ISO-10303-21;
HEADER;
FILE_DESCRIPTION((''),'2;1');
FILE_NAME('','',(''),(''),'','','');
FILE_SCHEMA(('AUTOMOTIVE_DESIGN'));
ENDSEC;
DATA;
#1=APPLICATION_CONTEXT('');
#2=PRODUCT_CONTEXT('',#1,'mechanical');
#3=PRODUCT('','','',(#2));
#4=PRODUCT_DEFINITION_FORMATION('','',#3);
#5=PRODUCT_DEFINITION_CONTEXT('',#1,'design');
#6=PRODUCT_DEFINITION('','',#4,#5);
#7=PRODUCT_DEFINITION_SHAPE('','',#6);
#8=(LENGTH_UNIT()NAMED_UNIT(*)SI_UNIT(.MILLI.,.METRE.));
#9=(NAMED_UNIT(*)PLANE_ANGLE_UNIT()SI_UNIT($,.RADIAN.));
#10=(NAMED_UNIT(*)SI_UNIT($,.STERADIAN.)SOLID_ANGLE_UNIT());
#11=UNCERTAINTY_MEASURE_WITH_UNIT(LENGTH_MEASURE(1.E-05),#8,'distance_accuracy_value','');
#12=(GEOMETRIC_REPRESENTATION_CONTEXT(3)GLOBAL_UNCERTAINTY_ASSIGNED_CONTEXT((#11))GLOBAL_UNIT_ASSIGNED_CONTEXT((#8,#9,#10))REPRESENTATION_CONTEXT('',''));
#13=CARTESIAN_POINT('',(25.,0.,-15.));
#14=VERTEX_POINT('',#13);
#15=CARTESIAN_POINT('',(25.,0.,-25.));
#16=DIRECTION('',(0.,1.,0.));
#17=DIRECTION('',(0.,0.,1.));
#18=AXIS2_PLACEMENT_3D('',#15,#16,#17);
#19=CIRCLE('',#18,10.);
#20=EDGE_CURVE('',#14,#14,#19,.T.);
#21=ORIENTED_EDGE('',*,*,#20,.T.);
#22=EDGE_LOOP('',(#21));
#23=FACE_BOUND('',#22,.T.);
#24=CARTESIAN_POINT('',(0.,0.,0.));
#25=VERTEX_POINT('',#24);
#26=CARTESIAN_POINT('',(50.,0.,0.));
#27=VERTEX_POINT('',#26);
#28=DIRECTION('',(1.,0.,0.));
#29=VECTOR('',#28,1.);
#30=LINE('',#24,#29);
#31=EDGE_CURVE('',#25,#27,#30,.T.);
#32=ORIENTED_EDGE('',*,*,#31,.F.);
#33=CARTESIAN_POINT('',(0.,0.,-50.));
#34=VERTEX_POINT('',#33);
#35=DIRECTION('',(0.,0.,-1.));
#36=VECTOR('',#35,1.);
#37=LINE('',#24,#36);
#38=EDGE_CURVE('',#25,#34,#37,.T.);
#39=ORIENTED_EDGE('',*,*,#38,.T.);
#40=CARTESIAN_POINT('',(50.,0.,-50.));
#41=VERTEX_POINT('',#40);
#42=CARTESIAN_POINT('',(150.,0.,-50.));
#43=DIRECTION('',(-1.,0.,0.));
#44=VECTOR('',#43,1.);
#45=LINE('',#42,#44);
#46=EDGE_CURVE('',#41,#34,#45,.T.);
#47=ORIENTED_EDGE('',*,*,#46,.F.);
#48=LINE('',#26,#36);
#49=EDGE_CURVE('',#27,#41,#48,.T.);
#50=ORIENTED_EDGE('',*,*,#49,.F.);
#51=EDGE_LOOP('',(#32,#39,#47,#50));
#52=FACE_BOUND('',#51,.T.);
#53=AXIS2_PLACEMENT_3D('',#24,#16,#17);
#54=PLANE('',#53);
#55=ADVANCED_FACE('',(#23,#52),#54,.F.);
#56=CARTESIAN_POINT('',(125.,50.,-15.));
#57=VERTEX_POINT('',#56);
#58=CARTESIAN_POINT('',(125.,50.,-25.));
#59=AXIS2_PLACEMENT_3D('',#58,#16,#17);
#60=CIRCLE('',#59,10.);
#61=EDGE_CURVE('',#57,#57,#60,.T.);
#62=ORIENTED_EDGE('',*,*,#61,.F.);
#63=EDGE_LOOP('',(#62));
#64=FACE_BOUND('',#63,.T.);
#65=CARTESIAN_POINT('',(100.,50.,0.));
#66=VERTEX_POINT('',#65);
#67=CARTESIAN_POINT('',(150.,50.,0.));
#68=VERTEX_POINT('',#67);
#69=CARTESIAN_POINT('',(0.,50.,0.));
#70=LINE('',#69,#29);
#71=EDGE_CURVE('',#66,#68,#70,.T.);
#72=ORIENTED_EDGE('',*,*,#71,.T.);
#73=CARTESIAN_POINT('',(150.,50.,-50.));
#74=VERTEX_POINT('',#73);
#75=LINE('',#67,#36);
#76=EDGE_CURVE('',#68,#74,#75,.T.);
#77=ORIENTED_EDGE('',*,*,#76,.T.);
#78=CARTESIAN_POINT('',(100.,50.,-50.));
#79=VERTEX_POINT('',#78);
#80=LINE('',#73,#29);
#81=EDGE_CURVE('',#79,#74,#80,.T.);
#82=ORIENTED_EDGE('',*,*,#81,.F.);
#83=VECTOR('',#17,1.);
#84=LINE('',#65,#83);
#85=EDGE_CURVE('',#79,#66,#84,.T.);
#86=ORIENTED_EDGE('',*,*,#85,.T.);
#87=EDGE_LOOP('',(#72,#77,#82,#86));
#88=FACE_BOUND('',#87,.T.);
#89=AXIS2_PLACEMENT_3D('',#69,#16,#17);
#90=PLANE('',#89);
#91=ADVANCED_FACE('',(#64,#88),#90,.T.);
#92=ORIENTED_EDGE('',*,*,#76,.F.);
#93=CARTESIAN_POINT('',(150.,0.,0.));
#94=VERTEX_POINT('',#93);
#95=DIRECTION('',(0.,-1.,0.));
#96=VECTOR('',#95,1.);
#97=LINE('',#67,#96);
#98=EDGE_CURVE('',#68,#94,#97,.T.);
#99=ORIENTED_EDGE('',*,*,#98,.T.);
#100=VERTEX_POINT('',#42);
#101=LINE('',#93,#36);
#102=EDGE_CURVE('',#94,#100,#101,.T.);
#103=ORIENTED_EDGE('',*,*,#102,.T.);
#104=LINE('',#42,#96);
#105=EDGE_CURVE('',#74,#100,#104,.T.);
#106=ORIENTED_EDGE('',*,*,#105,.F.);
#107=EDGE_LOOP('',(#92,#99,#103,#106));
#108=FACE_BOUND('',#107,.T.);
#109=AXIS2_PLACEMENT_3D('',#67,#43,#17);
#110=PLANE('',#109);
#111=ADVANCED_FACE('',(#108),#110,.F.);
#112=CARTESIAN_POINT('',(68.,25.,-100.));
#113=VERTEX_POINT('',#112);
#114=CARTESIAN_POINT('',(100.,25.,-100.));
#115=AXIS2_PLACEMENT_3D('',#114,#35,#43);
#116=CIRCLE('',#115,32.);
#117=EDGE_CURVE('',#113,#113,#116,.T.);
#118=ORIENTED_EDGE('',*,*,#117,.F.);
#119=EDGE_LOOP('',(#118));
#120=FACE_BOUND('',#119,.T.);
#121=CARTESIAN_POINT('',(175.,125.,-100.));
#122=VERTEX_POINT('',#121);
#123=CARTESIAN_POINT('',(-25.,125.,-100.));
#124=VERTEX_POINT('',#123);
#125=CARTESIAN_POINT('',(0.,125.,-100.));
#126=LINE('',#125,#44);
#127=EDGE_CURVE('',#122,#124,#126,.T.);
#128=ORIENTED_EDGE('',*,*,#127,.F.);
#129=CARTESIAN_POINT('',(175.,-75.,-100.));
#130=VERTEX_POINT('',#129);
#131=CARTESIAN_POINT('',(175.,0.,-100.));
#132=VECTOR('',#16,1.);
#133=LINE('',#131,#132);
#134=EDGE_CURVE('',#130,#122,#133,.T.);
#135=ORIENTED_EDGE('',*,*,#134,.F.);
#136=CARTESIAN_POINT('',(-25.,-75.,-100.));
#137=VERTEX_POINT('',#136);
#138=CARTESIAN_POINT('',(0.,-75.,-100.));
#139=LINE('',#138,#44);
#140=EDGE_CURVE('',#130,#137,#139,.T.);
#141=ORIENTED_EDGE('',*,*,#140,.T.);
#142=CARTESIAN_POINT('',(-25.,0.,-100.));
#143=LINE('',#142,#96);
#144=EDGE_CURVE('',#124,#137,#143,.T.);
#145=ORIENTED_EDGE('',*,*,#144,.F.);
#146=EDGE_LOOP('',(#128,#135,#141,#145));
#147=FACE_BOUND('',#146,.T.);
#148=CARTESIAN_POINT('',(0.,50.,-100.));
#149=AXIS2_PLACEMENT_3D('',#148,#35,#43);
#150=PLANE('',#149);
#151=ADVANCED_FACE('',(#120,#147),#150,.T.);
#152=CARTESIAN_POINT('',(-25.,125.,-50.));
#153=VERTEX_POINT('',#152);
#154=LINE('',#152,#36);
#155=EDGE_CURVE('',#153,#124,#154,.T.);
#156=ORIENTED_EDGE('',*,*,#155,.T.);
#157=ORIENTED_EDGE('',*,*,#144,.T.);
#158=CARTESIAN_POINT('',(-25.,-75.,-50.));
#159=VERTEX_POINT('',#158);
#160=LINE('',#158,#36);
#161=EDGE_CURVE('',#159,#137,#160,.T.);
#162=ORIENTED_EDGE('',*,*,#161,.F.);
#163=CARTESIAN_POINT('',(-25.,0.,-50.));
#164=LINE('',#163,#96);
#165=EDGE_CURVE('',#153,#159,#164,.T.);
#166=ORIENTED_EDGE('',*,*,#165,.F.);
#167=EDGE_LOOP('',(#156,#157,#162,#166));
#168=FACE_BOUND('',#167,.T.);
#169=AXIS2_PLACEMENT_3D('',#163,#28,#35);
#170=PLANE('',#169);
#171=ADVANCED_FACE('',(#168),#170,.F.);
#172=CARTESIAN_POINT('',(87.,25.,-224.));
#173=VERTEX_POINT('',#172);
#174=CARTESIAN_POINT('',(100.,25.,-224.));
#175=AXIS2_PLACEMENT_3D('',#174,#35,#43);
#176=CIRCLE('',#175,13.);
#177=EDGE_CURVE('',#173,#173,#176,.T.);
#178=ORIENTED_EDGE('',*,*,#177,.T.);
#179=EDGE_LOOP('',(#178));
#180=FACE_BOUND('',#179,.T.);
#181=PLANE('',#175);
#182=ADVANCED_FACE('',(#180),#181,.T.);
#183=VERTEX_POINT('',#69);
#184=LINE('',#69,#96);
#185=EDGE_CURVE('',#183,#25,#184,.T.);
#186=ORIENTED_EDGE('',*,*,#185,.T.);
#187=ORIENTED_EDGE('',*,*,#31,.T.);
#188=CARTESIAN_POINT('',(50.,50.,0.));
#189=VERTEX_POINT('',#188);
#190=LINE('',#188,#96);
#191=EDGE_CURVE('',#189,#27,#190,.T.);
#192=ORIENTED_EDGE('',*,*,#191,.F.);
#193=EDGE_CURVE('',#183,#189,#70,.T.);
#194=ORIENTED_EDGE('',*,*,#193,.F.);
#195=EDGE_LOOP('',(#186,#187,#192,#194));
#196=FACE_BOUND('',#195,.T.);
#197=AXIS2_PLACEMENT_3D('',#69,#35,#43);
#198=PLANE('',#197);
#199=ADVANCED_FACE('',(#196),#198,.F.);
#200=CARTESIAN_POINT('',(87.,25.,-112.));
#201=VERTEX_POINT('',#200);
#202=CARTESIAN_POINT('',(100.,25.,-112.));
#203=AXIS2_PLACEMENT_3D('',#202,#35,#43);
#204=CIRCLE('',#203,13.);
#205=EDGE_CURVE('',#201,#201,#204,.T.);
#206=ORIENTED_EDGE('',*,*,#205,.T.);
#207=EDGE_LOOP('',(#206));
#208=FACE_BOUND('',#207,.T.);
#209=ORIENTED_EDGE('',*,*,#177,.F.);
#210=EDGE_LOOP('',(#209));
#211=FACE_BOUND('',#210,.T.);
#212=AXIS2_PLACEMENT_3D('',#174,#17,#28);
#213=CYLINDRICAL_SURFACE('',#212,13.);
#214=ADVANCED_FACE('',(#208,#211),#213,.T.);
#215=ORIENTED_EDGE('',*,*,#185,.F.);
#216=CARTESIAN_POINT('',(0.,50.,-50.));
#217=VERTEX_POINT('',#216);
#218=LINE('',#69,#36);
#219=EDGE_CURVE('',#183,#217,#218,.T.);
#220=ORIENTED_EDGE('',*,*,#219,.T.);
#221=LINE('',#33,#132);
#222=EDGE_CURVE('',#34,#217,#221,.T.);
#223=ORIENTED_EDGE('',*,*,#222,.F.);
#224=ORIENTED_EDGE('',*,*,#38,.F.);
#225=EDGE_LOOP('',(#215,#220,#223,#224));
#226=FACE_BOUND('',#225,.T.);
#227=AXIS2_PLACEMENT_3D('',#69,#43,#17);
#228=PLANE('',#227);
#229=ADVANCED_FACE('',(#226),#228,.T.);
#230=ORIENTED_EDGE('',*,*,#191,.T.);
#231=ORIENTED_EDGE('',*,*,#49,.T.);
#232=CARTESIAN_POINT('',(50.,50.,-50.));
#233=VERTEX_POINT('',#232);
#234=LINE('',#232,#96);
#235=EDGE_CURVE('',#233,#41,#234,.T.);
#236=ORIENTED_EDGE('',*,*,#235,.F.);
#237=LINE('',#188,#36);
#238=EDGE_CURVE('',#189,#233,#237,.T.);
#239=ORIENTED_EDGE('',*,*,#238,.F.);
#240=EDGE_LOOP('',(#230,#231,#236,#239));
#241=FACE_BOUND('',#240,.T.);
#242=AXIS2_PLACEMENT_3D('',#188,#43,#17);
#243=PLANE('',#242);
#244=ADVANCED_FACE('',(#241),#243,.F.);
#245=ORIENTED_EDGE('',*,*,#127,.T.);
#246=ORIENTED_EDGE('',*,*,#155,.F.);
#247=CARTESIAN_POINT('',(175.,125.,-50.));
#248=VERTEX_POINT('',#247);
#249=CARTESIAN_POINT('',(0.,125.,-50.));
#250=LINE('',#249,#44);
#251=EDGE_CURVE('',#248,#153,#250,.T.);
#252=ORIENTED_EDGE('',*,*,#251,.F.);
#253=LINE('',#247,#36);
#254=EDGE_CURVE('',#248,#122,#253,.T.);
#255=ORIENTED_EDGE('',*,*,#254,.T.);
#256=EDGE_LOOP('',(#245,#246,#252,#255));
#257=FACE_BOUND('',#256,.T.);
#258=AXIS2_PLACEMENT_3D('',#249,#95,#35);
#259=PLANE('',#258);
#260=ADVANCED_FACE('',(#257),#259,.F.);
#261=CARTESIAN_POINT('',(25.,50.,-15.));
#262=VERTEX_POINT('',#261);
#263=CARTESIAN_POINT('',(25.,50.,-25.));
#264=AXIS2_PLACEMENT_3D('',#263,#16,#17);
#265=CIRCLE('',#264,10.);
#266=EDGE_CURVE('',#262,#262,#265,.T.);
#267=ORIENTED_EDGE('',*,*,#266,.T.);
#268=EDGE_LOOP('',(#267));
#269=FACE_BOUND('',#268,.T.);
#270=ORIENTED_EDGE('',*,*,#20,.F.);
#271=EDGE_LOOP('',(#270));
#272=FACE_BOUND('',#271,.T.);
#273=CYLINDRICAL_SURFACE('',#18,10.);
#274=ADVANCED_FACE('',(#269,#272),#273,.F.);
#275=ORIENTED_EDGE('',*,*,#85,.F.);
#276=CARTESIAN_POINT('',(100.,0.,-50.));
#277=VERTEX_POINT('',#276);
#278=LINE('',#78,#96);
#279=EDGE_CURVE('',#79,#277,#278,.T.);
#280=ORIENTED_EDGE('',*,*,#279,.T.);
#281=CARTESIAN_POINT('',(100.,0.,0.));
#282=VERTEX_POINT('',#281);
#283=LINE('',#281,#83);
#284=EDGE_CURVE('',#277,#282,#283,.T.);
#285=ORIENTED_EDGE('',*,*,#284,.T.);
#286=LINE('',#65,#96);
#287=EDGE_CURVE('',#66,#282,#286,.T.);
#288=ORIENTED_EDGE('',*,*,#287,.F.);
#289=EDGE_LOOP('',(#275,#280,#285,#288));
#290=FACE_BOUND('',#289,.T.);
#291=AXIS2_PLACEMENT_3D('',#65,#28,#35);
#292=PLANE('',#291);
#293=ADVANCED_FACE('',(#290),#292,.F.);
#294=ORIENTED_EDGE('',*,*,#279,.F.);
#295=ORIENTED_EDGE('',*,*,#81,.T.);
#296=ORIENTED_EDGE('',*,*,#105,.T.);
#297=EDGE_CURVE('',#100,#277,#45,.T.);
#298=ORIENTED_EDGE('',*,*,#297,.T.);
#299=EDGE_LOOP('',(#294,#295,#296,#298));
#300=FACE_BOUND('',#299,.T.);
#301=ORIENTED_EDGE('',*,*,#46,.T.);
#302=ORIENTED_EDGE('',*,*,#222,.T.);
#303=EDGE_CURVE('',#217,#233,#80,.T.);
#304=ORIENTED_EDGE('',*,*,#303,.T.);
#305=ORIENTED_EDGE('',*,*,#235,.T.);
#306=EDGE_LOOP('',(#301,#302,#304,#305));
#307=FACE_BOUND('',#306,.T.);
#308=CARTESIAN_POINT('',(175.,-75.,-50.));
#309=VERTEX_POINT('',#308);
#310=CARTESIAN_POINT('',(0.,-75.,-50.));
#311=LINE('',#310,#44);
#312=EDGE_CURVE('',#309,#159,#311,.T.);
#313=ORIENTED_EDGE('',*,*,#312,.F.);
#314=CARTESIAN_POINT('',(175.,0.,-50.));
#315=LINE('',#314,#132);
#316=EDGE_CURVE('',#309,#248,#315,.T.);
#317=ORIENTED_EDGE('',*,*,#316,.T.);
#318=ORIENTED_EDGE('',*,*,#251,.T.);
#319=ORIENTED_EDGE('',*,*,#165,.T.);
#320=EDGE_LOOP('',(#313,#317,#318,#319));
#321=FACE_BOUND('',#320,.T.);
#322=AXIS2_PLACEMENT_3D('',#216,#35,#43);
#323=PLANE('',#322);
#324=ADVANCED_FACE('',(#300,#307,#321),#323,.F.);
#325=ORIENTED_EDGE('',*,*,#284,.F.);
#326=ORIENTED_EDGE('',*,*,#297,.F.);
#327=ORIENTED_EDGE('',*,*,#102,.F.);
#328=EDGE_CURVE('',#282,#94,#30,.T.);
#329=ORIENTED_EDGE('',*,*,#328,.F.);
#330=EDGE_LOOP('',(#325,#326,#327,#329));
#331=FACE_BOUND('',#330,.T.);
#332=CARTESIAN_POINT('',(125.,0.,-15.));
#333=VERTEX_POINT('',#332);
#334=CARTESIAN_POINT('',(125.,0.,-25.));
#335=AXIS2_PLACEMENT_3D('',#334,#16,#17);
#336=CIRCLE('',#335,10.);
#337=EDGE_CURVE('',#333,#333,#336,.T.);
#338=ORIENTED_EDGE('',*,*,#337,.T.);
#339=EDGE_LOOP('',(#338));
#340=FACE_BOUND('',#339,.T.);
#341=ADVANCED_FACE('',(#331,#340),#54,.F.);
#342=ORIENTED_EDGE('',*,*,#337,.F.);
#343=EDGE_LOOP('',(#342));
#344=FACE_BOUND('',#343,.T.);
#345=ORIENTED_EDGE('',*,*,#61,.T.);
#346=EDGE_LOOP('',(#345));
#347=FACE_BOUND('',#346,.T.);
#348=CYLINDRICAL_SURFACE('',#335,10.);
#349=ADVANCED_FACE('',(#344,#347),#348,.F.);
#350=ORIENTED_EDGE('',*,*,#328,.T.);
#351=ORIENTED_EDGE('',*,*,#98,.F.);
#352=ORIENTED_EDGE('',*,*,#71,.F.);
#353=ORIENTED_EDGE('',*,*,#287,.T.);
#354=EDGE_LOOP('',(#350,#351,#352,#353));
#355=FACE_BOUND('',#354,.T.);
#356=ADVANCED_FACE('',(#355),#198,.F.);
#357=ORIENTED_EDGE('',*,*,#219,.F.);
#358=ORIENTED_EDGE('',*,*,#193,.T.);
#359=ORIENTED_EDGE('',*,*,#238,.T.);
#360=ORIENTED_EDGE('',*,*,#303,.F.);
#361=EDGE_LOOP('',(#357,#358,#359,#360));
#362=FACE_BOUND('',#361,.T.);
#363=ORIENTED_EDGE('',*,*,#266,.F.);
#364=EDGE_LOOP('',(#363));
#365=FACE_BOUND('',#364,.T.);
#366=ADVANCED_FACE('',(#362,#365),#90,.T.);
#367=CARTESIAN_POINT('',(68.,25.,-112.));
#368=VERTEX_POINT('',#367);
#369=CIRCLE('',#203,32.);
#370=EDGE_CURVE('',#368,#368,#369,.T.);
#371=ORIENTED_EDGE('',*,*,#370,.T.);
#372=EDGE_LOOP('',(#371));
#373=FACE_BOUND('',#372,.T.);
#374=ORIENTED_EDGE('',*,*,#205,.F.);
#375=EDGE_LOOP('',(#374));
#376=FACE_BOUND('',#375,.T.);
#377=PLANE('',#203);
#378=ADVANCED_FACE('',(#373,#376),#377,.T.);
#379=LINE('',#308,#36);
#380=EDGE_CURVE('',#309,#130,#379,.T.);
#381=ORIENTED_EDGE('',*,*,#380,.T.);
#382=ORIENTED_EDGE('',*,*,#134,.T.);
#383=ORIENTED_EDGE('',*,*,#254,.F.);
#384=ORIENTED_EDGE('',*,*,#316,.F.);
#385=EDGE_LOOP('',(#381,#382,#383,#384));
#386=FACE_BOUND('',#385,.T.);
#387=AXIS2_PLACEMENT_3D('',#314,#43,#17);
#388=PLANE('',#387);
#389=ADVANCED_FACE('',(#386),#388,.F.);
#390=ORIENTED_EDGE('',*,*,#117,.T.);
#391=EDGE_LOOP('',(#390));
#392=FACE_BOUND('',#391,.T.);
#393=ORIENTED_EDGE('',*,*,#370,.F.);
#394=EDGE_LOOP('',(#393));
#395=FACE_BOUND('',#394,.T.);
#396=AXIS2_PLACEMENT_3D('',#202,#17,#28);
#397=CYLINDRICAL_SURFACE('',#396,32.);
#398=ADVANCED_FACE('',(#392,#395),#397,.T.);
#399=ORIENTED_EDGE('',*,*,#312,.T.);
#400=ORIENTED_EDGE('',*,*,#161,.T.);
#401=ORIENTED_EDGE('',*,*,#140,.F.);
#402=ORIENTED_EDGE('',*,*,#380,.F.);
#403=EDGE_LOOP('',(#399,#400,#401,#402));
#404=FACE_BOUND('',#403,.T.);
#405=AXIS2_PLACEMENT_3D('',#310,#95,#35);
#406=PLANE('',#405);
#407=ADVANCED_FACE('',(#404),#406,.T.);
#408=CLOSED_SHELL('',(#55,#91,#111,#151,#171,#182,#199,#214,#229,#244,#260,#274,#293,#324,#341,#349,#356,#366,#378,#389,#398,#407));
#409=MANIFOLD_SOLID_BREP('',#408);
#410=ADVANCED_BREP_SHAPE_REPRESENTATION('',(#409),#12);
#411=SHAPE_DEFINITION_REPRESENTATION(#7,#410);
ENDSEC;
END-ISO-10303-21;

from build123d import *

# Parameters (mm, degrees)
BOSS_EXTRUDE1_DEPTH = 50
SKETCH3_R           = 10
CUT_EXTRUDE1_DEPTH  = 50
SKETCH4_W           = 150
SKETCH4_H           = 50
BOSS_EXTRUDE2_DEPTH = 50
SKETCH5_W           = 150
SKETCH5_H           = 50
BOSS_EXTRUDE3_DEPTH = 50
SKETCH6_W           = 200
SKETCH6_H           = 200
SKETCH6_W_2         = 150
SKETCH6_H_2         = 150
BOSS_EXTRUDE4_DEPTH = 50
SKETCH7_R           = 32
BOSS_EXTRUDE5_DEPTH = 12
SKETCH8_R           = 13
BOSS_EXTRUDE6_DEPTH = 112


with BuildPart() as part:
    # Sketch2 → Boss-Extrude1 (new body)
    with BuildSketch(Plane(origin=(0, 0, 0), x_dir=(1, 0, 0), z_dir=(0, 1, 0))):
        Polygon((0, 100), (0, 0), (50, 0), (50, 50), (100, 50), (100, 0), (150, 0), (150, 100), align=None)
    extrude(amount=BOSS_EXTRUDE1_DEPTH)

    # Sketch3 → Cut-Extrude1 (cut)
    with BuildSketch(Plane(origin=(0, 50, 0), x_dir=(1, 0, 0), z_dir=(0, 1, 0))):
        with Locations((125, 25)):
            Circle(SKETCH3_R)
        with Locations((25, 25)):
            Circle(SKETCH3_R)
    extrude(amount=-CUT_EXTRUDE1_DEPTH, mode=Mode.SUBTRACT)

    # Sketch4 → Boss-Extrude2 (add)
    with BuildSketch(Plane(origin=(0, 50, 0), x_dir=(1, 0, 0), z_dir=(0, 1, 0))):
        with Locations((75, 75)):
            Rectangle(SKETCH4_W, SKETCH4_H)
    extrude(amount=BOSS_EXTRUDE2_DEPTH)

    # Sketch5 → Boss-Extrude3 (add)
    with BuildSketch(Plane.XZ):
        with Locations((75, -75)):
            Rectangle(SKETCH5_W, SKETCH5_H)
    extrude(amount=BOSS_EXTRUDE3_DEPTH)

    # Sketch6 → Boss-Extrude4 (add)
    with BuildSketch(Plane(origin=(0, 0, -100), x_dir=(-1, 0, 0), z_dir=(0, 0, -1))):
        with Locations((-75, 25)):
            Rectangle(SKETCH6_W, SKETCH6_H)
        with Locations((-75, 25)):
            Rectangle(SKETCH6_W_2, SKETCH6_H_2, mode=Mode.SUBTRACT)
    extrude(amount=-BOSS_EXTRUDE4_DEPTH)

    # Sketch7 → Boss-Extrude5 (add)
    with BuildSketch(Plane(origin=(0, 0, -100), x_dir=(-1, 0, 0), z_dir=(0, 0, -1))):
        with Locations((-100, 25)):
            Circle(SKETCH7_R)
    extrude(amount=BOSS_EXTRUDE5_DEPTH)

    # Sketch8 → Boss-Extrude6 (add)
    with BuildSketch(Plane(origin=(0, 0, -112), x_dir=(-1, 0, 0), z_dir=(0, 0, -1))):
        with Locations((-100, 25)):
            Circle(SKETCH8_R)
    extrude(amount=BOSS_EXTRUDE6_DEPTH)


solid = part.part
